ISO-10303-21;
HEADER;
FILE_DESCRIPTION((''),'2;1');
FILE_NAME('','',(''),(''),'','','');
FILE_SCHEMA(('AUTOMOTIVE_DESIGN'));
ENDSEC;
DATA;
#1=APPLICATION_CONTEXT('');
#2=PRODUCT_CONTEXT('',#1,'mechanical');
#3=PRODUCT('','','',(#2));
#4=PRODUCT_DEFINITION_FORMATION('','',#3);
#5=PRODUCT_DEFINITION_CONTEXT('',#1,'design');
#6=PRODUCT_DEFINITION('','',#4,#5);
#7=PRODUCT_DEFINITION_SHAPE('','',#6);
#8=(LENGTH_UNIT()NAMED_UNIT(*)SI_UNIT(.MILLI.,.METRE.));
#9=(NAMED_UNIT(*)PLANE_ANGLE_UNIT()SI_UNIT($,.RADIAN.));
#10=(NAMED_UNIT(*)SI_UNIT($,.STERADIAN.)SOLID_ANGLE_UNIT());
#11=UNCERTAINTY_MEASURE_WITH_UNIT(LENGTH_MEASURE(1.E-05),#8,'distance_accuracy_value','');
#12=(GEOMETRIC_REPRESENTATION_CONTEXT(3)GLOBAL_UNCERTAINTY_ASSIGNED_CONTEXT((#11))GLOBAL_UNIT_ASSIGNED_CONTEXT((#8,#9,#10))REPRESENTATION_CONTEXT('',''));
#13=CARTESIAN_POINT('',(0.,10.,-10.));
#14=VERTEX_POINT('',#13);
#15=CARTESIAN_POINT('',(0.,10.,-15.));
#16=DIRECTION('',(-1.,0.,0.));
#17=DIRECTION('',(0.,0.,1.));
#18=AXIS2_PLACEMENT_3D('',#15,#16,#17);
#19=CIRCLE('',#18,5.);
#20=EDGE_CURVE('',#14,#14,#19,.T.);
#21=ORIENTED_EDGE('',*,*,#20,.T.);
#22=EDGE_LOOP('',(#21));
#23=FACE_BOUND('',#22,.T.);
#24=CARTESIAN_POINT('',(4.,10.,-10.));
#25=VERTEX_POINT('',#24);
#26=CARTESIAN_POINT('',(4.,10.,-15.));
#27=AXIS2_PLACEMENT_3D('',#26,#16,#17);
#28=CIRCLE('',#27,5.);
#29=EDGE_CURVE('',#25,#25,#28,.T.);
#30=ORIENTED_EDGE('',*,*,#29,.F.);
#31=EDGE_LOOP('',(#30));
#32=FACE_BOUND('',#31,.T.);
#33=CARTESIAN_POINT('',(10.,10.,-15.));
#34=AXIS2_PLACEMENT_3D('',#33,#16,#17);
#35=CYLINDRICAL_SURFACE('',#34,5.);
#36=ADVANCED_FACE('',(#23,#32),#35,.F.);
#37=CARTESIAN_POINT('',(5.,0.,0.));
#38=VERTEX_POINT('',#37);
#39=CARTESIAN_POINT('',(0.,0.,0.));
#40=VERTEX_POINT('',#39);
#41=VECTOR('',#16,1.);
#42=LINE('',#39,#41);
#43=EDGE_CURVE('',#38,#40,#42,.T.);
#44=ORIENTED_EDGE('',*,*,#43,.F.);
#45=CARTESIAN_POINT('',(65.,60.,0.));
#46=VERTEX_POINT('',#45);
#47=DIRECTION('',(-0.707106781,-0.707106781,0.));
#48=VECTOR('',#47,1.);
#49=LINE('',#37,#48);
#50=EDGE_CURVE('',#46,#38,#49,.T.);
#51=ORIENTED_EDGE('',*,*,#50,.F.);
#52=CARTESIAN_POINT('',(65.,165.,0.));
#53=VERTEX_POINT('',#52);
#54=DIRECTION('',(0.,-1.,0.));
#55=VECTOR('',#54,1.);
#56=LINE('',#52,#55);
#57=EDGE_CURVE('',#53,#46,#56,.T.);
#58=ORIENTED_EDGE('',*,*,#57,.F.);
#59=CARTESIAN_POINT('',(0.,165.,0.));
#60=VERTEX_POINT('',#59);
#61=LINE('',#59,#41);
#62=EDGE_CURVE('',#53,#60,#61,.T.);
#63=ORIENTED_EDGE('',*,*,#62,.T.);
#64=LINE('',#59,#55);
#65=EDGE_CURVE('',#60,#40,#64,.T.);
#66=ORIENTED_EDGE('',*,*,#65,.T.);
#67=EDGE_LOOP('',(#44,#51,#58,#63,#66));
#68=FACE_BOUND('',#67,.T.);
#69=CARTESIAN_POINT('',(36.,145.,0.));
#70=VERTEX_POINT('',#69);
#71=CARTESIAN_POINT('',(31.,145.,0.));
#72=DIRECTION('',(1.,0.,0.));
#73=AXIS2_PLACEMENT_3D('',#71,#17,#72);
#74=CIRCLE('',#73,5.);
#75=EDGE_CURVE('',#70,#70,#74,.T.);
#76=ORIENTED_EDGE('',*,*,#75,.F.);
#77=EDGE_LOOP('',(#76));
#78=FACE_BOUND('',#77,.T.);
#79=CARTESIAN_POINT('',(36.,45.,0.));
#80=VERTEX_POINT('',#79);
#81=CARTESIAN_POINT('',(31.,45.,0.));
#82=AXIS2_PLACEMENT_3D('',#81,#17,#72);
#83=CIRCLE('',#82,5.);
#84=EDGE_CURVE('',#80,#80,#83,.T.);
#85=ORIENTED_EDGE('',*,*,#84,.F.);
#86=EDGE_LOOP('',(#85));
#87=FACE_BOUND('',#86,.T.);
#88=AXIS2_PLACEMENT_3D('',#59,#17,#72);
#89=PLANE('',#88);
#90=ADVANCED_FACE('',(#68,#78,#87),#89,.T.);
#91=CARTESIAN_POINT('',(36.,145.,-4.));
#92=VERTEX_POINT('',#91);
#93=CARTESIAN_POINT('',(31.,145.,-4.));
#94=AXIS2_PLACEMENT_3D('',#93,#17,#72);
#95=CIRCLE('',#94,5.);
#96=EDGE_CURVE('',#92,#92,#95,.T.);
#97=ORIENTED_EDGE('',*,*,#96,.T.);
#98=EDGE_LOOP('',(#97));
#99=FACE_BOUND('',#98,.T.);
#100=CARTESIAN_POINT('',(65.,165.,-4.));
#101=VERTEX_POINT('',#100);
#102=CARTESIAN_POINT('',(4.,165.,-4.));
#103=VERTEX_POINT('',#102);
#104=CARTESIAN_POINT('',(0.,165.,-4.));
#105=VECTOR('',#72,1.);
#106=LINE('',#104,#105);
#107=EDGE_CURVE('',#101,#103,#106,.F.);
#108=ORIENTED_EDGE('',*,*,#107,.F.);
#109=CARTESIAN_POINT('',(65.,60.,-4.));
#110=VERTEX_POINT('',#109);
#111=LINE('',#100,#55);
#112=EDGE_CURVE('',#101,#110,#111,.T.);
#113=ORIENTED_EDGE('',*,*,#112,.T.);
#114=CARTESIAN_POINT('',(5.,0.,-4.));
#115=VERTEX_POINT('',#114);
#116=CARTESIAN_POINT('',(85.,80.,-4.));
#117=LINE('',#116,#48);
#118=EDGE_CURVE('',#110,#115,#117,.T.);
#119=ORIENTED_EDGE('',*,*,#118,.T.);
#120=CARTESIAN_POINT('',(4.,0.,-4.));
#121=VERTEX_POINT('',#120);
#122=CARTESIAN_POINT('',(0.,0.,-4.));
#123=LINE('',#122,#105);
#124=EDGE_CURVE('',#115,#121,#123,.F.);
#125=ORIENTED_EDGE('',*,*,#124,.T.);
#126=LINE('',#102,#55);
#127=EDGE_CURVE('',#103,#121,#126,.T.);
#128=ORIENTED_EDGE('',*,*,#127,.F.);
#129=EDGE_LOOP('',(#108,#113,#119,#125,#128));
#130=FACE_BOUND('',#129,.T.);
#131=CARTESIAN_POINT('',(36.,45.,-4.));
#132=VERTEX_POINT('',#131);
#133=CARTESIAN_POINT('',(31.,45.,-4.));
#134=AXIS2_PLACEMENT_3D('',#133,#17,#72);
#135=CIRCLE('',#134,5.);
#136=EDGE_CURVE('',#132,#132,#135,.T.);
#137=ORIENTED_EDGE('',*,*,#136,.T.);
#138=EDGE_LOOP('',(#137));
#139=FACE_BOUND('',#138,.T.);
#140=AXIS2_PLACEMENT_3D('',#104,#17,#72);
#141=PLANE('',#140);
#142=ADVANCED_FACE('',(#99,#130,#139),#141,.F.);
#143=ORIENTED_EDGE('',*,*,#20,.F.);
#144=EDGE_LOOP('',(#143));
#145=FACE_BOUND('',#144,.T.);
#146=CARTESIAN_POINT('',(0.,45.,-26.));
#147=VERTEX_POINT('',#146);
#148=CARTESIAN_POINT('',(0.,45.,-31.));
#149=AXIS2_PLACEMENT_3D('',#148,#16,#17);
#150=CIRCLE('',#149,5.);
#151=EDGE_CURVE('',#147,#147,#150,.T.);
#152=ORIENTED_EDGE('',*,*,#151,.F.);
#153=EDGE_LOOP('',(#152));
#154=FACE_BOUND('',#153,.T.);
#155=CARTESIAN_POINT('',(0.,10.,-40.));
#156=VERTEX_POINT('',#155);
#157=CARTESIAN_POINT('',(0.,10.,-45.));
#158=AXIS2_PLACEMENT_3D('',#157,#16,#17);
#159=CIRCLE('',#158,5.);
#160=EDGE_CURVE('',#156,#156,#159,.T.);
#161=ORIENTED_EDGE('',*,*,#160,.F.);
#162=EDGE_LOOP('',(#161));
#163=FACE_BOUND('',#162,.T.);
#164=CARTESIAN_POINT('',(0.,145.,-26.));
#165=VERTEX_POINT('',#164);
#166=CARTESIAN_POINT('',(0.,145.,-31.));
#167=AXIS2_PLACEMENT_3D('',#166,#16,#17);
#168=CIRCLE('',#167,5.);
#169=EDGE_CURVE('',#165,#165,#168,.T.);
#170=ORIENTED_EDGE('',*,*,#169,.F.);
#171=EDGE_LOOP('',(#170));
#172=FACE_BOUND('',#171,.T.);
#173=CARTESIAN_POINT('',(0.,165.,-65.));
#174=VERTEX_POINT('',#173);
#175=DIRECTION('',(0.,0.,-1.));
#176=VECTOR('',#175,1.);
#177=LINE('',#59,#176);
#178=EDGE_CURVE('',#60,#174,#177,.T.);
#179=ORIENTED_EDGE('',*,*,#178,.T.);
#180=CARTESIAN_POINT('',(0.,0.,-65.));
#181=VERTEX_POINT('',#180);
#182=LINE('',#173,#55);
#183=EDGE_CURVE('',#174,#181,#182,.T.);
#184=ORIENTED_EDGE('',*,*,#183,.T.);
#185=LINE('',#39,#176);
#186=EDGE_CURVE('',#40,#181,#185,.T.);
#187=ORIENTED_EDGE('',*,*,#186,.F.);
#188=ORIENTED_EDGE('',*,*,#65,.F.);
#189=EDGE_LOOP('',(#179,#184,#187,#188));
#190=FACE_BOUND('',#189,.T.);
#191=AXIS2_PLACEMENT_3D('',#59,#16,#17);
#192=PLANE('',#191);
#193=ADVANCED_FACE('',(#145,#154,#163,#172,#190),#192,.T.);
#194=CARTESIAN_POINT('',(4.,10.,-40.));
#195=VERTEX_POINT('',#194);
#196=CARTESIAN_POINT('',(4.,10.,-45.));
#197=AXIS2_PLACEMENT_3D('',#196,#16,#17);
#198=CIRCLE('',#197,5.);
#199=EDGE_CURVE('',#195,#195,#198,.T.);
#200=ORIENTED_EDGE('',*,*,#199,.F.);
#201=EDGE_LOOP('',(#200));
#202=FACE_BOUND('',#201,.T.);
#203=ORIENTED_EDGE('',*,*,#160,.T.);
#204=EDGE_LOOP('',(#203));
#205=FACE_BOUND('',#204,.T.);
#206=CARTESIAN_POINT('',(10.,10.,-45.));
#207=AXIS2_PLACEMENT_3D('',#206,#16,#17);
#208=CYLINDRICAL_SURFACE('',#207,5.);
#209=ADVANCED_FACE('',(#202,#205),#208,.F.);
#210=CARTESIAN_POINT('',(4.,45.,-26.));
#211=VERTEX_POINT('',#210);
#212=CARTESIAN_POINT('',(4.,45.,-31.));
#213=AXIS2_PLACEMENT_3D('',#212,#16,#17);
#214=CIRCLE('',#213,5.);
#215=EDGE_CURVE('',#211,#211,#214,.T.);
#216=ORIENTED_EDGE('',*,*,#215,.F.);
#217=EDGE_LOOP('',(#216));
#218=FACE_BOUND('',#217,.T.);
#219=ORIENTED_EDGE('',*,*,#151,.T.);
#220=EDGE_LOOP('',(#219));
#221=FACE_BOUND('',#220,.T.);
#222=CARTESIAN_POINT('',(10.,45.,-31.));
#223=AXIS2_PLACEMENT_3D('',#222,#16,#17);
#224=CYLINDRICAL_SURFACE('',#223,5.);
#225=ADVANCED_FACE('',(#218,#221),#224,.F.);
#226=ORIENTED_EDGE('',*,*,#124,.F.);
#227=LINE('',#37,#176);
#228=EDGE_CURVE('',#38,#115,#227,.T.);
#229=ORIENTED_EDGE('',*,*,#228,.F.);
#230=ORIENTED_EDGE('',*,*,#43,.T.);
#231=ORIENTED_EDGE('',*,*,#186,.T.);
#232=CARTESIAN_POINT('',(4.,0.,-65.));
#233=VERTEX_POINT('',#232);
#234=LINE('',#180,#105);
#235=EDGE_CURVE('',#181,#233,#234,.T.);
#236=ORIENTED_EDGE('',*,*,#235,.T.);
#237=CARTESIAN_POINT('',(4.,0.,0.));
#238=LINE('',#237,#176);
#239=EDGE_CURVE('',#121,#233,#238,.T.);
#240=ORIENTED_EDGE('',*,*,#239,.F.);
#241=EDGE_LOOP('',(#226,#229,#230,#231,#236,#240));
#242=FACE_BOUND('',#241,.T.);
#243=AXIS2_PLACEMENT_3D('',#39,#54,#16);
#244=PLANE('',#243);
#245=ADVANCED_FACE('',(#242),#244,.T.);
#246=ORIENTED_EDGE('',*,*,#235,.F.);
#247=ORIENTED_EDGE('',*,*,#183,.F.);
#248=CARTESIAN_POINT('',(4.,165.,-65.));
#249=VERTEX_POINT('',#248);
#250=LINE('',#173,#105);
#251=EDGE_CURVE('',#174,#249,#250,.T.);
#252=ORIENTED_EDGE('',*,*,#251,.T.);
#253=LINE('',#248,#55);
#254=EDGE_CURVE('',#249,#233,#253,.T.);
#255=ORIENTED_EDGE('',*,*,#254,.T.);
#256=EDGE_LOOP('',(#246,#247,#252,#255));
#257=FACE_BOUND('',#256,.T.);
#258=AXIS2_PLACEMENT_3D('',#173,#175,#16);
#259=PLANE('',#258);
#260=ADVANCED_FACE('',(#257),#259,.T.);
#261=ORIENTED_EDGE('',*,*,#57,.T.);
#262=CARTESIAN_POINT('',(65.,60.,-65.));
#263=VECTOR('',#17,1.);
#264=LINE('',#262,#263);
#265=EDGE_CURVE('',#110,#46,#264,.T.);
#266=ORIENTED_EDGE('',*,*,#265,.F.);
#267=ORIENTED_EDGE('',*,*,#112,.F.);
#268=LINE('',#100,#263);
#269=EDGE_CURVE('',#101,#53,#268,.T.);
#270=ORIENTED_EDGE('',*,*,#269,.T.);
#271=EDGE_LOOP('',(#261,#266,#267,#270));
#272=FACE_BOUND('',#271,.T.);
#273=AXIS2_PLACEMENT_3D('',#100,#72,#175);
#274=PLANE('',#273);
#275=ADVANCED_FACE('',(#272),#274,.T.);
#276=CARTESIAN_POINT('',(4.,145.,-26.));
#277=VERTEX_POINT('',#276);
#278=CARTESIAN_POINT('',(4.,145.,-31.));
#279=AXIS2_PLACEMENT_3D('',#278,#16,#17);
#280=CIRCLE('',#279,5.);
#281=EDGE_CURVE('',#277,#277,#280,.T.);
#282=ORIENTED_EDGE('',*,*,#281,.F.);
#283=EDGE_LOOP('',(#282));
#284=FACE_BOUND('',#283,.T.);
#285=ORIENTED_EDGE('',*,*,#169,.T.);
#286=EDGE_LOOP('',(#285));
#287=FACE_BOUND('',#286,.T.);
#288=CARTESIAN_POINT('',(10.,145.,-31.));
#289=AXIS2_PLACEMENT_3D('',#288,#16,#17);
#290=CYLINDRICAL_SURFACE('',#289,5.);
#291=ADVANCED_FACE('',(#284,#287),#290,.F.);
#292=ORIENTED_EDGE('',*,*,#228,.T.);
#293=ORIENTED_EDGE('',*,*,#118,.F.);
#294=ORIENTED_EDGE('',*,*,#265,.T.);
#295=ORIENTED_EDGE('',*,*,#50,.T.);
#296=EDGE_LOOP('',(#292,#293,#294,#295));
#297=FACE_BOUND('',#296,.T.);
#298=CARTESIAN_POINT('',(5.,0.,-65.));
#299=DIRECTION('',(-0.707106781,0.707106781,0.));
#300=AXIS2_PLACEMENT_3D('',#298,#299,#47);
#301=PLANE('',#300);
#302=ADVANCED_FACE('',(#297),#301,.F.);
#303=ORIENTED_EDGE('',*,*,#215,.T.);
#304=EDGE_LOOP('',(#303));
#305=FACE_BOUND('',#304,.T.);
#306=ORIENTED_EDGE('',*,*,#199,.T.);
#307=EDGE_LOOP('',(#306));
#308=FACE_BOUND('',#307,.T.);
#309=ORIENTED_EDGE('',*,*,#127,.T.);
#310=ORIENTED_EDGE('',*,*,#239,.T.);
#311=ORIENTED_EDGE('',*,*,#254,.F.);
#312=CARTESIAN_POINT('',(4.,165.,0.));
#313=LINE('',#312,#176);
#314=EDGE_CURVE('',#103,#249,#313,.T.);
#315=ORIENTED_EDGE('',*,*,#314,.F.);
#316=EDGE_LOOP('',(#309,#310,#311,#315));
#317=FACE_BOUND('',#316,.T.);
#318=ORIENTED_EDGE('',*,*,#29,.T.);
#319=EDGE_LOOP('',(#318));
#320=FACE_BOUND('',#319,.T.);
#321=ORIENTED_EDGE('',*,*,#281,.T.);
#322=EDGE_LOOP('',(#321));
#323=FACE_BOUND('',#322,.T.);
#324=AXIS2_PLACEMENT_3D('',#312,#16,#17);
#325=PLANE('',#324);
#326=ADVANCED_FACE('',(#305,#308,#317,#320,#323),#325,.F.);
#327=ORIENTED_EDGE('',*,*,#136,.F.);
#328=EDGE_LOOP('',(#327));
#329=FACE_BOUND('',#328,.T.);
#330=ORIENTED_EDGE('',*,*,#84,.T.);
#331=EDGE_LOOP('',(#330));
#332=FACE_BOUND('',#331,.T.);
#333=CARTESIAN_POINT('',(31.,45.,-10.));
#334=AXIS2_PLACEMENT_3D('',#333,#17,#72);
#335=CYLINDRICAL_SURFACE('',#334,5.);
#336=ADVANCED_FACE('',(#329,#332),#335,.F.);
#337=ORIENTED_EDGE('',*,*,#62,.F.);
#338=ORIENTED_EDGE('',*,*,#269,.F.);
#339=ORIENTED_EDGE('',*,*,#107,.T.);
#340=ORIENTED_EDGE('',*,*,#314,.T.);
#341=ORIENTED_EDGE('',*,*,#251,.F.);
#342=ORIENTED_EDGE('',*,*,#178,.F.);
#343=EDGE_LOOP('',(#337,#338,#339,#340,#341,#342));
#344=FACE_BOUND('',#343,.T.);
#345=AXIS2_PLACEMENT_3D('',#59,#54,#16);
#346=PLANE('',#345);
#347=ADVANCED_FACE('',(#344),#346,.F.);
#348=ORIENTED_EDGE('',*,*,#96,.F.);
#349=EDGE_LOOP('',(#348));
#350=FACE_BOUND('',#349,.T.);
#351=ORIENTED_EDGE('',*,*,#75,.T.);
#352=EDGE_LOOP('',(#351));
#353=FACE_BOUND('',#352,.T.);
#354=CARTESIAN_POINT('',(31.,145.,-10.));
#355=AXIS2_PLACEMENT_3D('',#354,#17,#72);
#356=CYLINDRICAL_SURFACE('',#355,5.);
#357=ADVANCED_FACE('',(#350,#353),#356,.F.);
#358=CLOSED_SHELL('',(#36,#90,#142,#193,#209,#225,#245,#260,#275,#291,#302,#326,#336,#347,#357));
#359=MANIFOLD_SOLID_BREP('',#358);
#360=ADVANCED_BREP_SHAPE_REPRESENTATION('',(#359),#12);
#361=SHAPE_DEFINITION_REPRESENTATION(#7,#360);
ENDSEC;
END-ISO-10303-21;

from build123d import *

# Parameters (mm, degrees)
EXTRUDE_1_DEPTH     = 165
SKETCH_2_R          = 5
CUT_EXTRUDE_1_DEPTH = 10
SKETCH_3_R          = 5
CUT_EXTRUDE_2_DEPTH = 10
CUT_EXTRUDE_3_DEPTH = 66


with BuildPart() as part:
    # Эскиз1 → Вытянуть-Тонкостенный1 (new body)
    with BuildSketch(Plane(origin=(0, 0, 0), x_dir=(1, 0, 0), z_dir=(0, 1, 0))):
        Polygon((0, 65), (0, 0), (65, 0), (65, 4), (4, 4), (4, 65), align=None)
    extrude(amount=EXTRUDE_1_DEPTH)

    # Эскиз2 → Вырез-Вытянуть1 (cut)
    with BuildSketch(Plane.XY):
        with Locations((31, 145)):
            Circle(SKETCH_2_R)
        with Locations((31, 45)):
            Circle(SKETCH_2_R)
    extrude(amount=-CUT_EXTRUDE_1_DEPTH, mode=Mode.SUBTRACT)

    # Эскиз3 → Вырез-Вытянуть2 (cut)
    with BuildSketch(Plane.ZY):
        with Locations((-31, 145)):
            Circle(SKETCH_3_R)
        with Locations((-31, 45)):
            Circle(SKETCH_3_R)
        with Locations((-15, 10)):
            Circle(SKETCH_3_R)
        with Locations((-45, 10)):
            Circle(SKETCH_3_R)
    extrude(amount=-CUT_EXTRUDE_2_DEPTH, mode=Mode.SUBTRACT)

    # Эскиз4 → Вырез-Вытянуть3 (cut, through all)
    with BuildSketch(Plane.XY):
        Polygon((5, 0), (65, 60), (65, 0), align=None)
    extrude(amount=-CUT_EXTRUDE_3_DEPTH, mode=Mode.SUBTRACT)


solid = part.part
